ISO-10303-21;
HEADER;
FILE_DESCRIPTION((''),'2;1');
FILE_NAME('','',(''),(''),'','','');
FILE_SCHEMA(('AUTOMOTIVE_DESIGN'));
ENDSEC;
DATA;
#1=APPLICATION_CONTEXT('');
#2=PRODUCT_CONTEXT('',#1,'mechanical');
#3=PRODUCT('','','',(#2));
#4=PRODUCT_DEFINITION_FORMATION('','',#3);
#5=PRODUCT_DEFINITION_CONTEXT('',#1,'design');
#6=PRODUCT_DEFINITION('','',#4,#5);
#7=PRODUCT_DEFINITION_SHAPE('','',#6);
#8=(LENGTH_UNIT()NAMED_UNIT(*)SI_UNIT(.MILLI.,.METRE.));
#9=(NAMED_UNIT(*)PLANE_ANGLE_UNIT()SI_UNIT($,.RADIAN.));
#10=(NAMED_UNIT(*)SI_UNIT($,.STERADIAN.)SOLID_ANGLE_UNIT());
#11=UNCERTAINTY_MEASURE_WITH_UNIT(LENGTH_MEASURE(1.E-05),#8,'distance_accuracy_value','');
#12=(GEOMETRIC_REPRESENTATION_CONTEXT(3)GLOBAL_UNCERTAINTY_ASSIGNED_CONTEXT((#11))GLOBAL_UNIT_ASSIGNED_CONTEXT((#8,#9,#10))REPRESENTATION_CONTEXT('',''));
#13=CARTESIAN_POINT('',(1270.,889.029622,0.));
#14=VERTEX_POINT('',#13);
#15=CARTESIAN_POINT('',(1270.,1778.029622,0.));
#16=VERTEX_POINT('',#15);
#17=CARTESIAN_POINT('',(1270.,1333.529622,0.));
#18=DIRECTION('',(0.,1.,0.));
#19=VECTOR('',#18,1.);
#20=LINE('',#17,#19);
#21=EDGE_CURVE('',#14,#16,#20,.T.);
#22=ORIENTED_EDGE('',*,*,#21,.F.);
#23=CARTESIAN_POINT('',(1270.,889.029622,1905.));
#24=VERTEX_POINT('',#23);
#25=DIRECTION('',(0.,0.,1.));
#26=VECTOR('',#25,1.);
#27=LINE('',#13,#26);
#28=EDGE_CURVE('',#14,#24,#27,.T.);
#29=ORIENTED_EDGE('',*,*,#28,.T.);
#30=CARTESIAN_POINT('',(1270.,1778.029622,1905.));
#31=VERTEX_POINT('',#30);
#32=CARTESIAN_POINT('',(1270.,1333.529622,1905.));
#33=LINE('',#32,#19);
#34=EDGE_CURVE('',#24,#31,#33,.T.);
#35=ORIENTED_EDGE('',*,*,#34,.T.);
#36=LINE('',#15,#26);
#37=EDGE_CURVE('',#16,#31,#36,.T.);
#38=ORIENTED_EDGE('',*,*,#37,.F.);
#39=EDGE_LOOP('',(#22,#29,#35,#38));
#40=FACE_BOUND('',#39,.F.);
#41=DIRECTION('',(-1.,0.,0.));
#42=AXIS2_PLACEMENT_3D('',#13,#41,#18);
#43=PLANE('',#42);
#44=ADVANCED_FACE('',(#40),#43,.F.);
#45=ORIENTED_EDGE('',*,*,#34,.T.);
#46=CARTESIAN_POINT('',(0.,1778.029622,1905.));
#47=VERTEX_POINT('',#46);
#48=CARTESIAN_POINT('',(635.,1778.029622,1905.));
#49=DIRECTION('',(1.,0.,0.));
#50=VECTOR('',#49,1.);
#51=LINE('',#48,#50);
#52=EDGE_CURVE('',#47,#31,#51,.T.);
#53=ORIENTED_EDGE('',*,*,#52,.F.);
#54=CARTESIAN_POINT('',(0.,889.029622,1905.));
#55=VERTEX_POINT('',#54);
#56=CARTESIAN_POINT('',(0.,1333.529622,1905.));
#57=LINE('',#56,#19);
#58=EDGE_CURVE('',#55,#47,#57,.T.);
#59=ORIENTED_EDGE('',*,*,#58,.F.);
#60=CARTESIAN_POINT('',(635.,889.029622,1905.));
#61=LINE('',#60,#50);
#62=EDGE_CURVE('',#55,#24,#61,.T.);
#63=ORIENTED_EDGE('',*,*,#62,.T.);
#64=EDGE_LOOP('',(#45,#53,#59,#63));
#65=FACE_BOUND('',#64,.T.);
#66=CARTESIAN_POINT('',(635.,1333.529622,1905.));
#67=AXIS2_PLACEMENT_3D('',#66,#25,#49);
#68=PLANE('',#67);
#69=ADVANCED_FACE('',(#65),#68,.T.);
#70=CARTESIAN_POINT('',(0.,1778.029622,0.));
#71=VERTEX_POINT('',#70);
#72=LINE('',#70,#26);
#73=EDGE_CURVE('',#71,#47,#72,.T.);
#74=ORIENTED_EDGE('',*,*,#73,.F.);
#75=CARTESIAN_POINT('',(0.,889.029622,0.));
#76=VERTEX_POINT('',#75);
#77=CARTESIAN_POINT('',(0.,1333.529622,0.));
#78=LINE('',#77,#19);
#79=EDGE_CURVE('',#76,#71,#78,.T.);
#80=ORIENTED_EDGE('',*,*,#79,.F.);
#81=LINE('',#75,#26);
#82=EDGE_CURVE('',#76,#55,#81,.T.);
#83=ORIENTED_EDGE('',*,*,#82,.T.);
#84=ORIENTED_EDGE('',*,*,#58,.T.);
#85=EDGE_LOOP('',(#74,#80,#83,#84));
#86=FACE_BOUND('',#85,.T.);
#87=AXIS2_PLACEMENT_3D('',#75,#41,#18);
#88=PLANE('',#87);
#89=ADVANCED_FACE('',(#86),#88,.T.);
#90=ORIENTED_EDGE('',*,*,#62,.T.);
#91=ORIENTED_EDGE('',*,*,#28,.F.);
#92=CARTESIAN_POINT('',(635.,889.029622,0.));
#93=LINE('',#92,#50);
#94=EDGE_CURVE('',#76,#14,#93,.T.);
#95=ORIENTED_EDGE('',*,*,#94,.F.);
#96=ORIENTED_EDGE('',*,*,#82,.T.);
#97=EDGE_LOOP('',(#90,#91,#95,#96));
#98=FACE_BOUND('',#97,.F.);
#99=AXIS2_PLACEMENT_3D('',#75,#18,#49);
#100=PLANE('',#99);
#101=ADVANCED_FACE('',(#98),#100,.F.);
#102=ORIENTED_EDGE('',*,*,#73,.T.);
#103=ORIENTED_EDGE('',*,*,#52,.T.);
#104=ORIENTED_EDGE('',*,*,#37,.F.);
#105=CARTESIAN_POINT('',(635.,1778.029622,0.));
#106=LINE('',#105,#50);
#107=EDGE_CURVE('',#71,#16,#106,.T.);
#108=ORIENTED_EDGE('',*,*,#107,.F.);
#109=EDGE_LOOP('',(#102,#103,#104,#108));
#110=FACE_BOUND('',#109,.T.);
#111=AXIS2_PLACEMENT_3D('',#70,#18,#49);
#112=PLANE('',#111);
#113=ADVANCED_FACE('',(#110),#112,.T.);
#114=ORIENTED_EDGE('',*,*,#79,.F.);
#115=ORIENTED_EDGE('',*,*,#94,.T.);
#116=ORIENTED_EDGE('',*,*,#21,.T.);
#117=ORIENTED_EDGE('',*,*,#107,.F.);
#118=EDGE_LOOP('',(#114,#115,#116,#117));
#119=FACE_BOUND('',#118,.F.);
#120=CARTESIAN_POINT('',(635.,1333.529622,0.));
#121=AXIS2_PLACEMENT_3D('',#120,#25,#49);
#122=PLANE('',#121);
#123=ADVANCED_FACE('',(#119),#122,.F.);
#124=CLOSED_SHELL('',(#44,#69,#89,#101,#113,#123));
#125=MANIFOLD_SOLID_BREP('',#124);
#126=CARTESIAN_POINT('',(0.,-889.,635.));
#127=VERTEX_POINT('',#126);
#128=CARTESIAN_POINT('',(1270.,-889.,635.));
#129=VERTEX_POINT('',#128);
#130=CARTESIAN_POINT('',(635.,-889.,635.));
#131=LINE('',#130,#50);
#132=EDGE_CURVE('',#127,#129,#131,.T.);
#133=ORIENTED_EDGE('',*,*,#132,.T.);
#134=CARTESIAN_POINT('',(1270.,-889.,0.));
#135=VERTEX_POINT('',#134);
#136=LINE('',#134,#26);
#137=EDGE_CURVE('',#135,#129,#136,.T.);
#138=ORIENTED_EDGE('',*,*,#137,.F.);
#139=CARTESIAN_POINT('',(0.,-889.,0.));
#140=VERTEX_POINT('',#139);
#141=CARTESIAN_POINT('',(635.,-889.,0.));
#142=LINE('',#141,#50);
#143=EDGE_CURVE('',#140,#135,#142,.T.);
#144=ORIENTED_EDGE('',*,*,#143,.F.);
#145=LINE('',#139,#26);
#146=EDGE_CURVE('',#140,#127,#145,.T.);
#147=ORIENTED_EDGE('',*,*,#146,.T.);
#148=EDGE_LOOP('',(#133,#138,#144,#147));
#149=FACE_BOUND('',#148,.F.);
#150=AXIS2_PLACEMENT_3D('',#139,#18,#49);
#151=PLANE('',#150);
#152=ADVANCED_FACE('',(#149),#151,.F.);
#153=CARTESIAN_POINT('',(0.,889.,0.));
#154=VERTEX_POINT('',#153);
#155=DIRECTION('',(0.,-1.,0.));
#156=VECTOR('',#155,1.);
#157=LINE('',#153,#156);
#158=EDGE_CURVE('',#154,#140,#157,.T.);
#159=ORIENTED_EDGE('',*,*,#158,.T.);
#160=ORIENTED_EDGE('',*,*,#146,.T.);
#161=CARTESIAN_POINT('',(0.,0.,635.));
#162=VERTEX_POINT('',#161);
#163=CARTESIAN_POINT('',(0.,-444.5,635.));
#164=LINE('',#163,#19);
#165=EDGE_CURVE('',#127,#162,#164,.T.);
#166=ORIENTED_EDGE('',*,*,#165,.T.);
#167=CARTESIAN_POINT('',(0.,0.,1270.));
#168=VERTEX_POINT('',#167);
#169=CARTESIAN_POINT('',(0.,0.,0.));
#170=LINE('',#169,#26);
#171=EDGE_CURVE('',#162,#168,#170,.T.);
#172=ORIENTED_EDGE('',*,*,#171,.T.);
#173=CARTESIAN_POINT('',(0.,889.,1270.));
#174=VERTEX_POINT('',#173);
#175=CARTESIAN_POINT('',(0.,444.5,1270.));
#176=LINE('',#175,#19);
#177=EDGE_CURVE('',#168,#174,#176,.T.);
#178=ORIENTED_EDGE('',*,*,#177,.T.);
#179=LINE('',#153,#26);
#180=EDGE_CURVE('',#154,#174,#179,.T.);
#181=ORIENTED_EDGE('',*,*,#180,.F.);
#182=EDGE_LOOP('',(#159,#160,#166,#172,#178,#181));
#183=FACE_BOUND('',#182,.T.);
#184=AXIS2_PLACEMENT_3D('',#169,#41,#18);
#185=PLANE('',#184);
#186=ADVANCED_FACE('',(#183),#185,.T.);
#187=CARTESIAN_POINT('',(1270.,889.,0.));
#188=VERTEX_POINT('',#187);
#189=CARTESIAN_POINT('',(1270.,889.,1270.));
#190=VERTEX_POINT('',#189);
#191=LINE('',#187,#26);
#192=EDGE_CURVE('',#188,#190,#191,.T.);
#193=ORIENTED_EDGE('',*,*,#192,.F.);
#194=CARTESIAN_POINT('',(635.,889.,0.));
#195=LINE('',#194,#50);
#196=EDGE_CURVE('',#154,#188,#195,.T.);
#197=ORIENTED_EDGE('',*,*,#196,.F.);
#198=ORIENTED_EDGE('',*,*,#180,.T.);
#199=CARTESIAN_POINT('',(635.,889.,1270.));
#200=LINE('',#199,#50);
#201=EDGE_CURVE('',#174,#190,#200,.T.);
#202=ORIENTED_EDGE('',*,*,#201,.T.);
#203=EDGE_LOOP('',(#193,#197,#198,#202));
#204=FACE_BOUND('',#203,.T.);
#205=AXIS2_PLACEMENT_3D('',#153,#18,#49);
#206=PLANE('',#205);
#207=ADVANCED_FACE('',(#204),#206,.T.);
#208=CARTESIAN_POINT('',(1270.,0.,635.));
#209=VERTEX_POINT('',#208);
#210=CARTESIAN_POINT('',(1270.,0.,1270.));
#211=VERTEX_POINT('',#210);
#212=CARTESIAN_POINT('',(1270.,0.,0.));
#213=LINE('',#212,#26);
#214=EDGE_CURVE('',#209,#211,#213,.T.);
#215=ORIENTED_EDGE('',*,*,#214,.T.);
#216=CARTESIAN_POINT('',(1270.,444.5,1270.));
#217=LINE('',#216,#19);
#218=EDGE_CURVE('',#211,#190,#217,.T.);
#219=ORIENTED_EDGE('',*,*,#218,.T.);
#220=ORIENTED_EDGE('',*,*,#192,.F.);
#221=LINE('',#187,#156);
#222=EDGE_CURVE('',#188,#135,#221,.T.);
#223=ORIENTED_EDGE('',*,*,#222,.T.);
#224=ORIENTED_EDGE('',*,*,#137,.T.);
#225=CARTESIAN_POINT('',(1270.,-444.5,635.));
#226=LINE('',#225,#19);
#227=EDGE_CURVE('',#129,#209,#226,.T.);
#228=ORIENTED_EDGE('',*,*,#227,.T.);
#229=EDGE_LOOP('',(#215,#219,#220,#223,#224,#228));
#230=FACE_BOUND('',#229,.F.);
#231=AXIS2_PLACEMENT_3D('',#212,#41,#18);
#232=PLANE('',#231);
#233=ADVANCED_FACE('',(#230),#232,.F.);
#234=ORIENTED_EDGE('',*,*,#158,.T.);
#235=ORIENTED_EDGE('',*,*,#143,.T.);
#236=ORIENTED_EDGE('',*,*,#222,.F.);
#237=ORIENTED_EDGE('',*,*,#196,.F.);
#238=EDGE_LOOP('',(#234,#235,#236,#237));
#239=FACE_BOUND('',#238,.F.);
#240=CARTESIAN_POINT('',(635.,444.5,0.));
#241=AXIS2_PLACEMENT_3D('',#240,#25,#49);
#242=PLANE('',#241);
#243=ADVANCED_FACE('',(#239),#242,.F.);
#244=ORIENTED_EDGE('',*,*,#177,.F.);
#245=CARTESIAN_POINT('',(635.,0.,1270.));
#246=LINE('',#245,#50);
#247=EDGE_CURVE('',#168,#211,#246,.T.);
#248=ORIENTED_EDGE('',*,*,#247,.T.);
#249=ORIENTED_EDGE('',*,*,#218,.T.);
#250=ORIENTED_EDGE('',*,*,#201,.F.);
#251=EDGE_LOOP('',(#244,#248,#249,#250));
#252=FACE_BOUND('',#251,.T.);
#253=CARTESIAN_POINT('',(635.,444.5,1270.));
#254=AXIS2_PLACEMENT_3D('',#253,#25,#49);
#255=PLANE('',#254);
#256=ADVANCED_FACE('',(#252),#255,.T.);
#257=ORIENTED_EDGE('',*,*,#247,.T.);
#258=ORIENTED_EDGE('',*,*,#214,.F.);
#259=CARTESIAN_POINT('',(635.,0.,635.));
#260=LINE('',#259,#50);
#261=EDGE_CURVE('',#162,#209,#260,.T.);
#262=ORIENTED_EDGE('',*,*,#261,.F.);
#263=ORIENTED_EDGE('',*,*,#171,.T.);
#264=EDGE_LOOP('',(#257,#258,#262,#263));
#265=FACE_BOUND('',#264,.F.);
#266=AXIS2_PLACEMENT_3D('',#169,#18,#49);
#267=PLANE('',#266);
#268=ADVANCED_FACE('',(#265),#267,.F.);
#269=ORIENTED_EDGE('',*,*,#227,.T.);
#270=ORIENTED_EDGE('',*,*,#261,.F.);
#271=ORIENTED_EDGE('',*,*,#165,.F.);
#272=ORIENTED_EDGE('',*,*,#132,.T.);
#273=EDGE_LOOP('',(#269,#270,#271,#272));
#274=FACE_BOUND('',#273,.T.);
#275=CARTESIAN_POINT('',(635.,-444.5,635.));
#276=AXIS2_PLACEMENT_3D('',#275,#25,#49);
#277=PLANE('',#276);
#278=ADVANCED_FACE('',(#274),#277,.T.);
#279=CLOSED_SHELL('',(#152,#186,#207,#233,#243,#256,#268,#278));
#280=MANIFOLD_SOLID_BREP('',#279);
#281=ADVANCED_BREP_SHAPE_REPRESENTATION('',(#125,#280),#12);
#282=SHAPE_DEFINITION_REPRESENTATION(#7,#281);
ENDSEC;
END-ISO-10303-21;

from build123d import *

# Parameters (mm, degrees)
F0_W     = 1270
F0_H     = 889
F3_DEPTH = 635
F1_W     = 1270
F1_H     = 889
F4_DEPTH = 1270
F2_W     = 1270
F2_H     = 889
F5_DEPTH = 1905


with BuildPart() as f3:
    # F0 (on Top) → F3 (new body)
    with BuildSketch(Plane.XY):
        with Locations((635, -444.5)):
            Rectangle(F0_W, F0_H)
    extrude(amount=F3_DEPTH)

    # F1 (on face) → F4 (join)
    with BuildSketch(Plane.XY):
        with Locations((635, 444.5)):
            Rectangle(F1_W, F1_H)
    extrude(amount=F4_DEPTH)


with BuildPart() as f5:
    # F2 (on face) → F5 (new body)
    with BuildSketch(Plane.XY):
        with Locations((635, 1333.529622)):
            Rectangle(F2_W, F2_H)
    extrude(amount=F5_DEPTH)


solid = Compound([f3.part, f5.part])
